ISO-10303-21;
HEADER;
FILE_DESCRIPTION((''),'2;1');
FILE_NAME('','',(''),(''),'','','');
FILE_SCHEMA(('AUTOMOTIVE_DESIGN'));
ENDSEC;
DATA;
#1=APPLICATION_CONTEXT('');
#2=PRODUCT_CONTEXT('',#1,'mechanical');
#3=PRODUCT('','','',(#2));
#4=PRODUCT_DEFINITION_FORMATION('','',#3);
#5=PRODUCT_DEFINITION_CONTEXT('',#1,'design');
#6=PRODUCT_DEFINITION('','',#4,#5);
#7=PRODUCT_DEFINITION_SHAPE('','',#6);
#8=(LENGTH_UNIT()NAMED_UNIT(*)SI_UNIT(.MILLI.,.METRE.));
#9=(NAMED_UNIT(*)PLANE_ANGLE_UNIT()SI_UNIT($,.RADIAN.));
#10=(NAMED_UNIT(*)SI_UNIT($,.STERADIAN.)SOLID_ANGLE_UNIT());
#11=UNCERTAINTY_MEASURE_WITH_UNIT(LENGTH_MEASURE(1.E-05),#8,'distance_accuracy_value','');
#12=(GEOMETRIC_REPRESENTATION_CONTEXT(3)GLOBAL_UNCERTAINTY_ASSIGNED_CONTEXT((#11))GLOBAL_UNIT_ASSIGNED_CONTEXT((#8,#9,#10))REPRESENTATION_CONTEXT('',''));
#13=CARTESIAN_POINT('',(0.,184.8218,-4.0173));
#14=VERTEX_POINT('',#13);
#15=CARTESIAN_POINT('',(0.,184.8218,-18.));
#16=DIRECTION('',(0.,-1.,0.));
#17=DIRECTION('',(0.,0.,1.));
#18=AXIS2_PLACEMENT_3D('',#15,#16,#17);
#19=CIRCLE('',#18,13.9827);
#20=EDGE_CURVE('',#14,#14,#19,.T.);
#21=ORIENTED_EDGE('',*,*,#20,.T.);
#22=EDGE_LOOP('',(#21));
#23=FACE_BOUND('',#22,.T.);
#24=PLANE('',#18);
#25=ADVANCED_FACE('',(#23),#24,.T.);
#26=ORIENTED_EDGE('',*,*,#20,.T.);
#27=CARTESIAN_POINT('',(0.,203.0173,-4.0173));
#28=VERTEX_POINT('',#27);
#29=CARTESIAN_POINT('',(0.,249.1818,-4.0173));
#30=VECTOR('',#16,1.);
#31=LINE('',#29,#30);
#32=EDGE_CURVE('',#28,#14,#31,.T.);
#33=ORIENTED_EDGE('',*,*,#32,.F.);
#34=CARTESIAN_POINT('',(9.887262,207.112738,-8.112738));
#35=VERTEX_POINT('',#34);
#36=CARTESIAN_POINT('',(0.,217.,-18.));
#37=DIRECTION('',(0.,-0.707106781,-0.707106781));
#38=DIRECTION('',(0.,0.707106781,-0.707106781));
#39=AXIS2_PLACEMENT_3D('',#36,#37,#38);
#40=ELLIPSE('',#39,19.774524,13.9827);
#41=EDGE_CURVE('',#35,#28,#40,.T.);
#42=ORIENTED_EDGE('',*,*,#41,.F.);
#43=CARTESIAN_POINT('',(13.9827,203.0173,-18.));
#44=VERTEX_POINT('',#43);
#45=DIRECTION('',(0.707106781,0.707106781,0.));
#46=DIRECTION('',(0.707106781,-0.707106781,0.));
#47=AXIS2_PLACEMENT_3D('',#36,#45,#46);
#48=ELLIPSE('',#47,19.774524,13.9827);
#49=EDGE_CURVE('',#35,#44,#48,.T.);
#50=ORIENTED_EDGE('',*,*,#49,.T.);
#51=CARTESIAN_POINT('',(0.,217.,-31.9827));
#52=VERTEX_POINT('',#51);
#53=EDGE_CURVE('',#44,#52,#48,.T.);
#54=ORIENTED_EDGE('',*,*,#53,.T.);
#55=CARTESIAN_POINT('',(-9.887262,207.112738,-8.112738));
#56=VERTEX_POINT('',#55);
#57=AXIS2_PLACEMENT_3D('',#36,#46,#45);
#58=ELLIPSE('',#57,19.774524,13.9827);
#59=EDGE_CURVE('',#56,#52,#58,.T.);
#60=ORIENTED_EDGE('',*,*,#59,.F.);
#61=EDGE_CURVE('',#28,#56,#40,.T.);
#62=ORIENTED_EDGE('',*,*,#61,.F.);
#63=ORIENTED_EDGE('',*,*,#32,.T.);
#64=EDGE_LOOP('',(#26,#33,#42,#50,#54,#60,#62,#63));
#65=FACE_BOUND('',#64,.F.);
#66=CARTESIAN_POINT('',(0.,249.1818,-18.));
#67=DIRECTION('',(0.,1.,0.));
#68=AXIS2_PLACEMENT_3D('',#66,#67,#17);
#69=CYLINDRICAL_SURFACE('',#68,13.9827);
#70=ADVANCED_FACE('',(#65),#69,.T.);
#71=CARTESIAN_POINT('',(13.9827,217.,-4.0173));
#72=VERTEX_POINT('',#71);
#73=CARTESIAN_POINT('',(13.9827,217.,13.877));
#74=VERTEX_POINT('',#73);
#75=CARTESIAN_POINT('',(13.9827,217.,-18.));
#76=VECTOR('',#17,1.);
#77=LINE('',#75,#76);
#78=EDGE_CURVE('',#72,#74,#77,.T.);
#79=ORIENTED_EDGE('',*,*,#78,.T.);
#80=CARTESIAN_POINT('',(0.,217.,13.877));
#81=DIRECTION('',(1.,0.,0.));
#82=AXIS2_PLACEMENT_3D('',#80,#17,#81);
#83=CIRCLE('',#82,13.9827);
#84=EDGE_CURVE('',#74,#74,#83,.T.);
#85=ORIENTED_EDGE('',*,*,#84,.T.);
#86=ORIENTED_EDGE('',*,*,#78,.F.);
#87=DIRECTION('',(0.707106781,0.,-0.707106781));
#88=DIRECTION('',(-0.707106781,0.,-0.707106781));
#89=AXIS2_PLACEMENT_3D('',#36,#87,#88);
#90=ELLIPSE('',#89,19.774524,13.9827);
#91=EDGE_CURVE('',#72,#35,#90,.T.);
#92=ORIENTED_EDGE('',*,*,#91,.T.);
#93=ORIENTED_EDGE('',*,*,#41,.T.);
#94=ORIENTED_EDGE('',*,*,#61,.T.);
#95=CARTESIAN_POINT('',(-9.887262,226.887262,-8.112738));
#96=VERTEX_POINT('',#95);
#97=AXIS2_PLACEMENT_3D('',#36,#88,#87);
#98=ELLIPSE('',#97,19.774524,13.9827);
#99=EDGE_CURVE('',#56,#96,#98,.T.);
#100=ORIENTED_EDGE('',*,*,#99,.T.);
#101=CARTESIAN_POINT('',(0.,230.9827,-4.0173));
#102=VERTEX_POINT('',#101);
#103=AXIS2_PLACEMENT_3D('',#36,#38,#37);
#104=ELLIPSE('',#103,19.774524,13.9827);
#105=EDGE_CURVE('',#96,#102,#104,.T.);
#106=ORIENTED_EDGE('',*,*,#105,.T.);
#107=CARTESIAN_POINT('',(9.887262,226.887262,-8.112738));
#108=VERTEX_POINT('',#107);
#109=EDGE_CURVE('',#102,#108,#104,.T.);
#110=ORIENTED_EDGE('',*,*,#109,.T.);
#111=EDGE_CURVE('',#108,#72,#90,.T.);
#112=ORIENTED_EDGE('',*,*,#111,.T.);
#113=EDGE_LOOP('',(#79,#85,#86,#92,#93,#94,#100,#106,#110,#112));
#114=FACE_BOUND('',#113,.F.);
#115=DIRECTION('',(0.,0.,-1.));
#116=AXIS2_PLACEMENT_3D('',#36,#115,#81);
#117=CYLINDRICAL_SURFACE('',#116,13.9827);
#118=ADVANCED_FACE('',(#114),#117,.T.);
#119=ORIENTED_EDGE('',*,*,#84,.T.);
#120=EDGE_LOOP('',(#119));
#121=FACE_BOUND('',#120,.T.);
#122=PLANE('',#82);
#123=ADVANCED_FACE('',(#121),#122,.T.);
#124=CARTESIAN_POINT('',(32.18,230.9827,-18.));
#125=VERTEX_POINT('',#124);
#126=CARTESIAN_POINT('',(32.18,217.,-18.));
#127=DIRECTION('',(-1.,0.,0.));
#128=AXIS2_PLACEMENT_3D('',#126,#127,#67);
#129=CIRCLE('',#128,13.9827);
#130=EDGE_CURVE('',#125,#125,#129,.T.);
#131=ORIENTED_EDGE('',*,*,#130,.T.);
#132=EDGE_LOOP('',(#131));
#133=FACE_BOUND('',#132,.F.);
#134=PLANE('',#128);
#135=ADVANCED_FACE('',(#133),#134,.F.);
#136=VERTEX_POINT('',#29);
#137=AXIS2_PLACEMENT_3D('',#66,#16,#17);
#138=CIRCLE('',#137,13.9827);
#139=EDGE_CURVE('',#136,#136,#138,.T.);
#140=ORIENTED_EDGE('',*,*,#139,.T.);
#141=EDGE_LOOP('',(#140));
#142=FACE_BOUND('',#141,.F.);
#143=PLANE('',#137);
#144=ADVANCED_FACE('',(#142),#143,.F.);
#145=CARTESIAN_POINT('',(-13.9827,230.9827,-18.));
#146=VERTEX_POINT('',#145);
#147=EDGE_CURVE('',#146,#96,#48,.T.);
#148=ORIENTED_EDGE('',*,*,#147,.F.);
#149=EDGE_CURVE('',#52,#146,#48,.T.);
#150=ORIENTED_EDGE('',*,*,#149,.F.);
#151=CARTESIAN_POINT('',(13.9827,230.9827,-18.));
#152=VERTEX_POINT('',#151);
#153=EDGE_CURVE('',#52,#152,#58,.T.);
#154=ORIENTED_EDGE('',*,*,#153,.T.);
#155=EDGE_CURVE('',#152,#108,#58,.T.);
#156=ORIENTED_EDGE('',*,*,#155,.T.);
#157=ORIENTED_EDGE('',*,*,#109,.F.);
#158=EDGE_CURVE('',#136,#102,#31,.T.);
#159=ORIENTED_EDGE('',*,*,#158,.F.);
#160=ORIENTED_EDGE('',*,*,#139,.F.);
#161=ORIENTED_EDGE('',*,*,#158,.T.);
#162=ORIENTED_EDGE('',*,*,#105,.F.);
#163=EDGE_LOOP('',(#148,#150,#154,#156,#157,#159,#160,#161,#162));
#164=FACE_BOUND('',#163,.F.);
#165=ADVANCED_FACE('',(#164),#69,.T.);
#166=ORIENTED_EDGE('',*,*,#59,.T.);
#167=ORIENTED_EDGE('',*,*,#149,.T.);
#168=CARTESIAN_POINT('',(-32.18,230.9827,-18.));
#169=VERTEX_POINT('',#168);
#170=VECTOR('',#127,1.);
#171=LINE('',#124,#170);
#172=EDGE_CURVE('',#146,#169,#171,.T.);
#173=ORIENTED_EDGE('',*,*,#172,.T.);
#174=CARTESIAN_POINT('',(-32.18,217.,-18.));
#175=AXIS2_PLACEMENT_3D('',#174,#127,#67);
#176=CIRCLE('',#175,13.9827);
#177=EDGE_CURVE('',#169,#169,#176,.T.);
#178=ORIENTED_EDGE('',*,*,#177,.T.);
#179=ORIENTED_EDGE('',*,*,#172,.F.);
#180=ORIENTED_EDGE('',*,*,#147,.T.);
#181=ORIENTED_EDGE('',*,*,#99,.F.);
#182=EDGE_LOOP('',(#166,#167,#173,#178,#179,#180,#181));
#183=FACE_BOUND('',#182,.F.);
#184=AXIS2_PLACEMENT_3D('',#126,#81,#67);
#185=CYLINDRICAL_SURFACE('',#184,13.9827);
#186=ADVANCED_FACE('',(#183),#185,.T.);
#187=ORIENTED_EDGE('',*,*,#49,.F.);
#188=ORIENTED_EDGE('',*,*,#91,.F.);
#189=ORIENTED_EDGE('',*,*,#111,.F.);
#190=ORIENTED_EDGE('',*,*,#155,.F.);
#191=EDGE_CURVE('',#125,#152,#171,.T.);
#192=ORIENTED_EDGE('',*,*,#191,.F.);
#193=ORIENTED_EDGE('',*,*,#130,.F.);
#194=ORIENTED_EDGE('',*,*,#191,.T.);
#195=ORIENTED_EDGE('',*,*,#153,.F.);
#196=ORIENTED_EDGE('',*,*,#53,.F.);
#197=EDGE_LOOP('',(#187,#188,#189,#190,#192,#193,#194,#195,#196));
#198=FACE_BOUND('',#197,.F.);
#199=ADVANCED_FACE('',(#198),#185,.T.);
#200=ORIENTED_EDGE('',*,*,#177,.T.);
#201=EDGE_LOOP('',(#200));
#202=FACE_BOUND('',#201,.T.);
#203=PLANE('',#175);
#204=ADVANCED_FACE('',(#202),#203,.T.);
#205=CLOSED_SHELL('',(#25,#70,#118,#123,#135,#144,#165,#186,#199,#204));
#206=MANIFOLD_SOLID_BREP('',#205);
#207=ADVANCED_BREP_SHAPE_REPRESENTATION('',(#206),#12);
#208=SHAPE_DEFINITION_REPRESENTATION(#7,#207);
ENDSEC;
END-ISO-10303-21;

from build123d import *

# Parameters (mm, degrees)
CYLINDER038_R             = 13.9827
CYLINDER038_DEPTH         = 64.36
CYLINDER039_R             = 13.9827
CYLINDER039_DEPTH         = 64.36
CYLINDER040_R             = 13.9827
CYLINDER040_DEPTH         = 31.877
FUSION016_PLACEMENT_ANGLE = 90


with BuildPart() as cylinder038:
    # Cylinder038 → Cylinder038 (new body)
    with BuildSketch(Plane(origin=(0, 0, -32.18), x_dir=(0, 1, 0), z_dir=(0, 0, 1))):
        Circle(CYLINDER038_R)
    extrude(amount=CYLINDER038_DEPTH)


with BuildPart() as cylinder039:
    # Cylinder039 → Cylinder039 (new body)
    with BuildSketch(Plane.XZ.offset(-32.1818)):
        Circle(CYLINDER039_R)
    extrude(amount=CYLINDER039_DEPTH)


with BuildPart() as f_5_way002:
    # Cylinder040 → Cylinder040 (new body)
    with BuildSketch(Plane(origin=(0, 0, 0), x_dir=(0, 0, -1), z_dir=(1, 0, 0))):
        Circle(CYLINDER040_R)
    extrude(amount=CYLINDER040_DEPTH)

    # Fusion016: union Cylinder038, Cylinder039
    add(cylinder038.part)
    add(cylinder039.part)


with BuildPart() as f_5_way002_1:
    # Fusion016 placement: moved
    add(f_5_way002.part.moved(Location((0, 217, -18))).rotate(Axis((0, 217, -18), (0, -1, 0)), FUSION016_PLACEMENT_ANGLE))


solid = f_5_way002_1.part
